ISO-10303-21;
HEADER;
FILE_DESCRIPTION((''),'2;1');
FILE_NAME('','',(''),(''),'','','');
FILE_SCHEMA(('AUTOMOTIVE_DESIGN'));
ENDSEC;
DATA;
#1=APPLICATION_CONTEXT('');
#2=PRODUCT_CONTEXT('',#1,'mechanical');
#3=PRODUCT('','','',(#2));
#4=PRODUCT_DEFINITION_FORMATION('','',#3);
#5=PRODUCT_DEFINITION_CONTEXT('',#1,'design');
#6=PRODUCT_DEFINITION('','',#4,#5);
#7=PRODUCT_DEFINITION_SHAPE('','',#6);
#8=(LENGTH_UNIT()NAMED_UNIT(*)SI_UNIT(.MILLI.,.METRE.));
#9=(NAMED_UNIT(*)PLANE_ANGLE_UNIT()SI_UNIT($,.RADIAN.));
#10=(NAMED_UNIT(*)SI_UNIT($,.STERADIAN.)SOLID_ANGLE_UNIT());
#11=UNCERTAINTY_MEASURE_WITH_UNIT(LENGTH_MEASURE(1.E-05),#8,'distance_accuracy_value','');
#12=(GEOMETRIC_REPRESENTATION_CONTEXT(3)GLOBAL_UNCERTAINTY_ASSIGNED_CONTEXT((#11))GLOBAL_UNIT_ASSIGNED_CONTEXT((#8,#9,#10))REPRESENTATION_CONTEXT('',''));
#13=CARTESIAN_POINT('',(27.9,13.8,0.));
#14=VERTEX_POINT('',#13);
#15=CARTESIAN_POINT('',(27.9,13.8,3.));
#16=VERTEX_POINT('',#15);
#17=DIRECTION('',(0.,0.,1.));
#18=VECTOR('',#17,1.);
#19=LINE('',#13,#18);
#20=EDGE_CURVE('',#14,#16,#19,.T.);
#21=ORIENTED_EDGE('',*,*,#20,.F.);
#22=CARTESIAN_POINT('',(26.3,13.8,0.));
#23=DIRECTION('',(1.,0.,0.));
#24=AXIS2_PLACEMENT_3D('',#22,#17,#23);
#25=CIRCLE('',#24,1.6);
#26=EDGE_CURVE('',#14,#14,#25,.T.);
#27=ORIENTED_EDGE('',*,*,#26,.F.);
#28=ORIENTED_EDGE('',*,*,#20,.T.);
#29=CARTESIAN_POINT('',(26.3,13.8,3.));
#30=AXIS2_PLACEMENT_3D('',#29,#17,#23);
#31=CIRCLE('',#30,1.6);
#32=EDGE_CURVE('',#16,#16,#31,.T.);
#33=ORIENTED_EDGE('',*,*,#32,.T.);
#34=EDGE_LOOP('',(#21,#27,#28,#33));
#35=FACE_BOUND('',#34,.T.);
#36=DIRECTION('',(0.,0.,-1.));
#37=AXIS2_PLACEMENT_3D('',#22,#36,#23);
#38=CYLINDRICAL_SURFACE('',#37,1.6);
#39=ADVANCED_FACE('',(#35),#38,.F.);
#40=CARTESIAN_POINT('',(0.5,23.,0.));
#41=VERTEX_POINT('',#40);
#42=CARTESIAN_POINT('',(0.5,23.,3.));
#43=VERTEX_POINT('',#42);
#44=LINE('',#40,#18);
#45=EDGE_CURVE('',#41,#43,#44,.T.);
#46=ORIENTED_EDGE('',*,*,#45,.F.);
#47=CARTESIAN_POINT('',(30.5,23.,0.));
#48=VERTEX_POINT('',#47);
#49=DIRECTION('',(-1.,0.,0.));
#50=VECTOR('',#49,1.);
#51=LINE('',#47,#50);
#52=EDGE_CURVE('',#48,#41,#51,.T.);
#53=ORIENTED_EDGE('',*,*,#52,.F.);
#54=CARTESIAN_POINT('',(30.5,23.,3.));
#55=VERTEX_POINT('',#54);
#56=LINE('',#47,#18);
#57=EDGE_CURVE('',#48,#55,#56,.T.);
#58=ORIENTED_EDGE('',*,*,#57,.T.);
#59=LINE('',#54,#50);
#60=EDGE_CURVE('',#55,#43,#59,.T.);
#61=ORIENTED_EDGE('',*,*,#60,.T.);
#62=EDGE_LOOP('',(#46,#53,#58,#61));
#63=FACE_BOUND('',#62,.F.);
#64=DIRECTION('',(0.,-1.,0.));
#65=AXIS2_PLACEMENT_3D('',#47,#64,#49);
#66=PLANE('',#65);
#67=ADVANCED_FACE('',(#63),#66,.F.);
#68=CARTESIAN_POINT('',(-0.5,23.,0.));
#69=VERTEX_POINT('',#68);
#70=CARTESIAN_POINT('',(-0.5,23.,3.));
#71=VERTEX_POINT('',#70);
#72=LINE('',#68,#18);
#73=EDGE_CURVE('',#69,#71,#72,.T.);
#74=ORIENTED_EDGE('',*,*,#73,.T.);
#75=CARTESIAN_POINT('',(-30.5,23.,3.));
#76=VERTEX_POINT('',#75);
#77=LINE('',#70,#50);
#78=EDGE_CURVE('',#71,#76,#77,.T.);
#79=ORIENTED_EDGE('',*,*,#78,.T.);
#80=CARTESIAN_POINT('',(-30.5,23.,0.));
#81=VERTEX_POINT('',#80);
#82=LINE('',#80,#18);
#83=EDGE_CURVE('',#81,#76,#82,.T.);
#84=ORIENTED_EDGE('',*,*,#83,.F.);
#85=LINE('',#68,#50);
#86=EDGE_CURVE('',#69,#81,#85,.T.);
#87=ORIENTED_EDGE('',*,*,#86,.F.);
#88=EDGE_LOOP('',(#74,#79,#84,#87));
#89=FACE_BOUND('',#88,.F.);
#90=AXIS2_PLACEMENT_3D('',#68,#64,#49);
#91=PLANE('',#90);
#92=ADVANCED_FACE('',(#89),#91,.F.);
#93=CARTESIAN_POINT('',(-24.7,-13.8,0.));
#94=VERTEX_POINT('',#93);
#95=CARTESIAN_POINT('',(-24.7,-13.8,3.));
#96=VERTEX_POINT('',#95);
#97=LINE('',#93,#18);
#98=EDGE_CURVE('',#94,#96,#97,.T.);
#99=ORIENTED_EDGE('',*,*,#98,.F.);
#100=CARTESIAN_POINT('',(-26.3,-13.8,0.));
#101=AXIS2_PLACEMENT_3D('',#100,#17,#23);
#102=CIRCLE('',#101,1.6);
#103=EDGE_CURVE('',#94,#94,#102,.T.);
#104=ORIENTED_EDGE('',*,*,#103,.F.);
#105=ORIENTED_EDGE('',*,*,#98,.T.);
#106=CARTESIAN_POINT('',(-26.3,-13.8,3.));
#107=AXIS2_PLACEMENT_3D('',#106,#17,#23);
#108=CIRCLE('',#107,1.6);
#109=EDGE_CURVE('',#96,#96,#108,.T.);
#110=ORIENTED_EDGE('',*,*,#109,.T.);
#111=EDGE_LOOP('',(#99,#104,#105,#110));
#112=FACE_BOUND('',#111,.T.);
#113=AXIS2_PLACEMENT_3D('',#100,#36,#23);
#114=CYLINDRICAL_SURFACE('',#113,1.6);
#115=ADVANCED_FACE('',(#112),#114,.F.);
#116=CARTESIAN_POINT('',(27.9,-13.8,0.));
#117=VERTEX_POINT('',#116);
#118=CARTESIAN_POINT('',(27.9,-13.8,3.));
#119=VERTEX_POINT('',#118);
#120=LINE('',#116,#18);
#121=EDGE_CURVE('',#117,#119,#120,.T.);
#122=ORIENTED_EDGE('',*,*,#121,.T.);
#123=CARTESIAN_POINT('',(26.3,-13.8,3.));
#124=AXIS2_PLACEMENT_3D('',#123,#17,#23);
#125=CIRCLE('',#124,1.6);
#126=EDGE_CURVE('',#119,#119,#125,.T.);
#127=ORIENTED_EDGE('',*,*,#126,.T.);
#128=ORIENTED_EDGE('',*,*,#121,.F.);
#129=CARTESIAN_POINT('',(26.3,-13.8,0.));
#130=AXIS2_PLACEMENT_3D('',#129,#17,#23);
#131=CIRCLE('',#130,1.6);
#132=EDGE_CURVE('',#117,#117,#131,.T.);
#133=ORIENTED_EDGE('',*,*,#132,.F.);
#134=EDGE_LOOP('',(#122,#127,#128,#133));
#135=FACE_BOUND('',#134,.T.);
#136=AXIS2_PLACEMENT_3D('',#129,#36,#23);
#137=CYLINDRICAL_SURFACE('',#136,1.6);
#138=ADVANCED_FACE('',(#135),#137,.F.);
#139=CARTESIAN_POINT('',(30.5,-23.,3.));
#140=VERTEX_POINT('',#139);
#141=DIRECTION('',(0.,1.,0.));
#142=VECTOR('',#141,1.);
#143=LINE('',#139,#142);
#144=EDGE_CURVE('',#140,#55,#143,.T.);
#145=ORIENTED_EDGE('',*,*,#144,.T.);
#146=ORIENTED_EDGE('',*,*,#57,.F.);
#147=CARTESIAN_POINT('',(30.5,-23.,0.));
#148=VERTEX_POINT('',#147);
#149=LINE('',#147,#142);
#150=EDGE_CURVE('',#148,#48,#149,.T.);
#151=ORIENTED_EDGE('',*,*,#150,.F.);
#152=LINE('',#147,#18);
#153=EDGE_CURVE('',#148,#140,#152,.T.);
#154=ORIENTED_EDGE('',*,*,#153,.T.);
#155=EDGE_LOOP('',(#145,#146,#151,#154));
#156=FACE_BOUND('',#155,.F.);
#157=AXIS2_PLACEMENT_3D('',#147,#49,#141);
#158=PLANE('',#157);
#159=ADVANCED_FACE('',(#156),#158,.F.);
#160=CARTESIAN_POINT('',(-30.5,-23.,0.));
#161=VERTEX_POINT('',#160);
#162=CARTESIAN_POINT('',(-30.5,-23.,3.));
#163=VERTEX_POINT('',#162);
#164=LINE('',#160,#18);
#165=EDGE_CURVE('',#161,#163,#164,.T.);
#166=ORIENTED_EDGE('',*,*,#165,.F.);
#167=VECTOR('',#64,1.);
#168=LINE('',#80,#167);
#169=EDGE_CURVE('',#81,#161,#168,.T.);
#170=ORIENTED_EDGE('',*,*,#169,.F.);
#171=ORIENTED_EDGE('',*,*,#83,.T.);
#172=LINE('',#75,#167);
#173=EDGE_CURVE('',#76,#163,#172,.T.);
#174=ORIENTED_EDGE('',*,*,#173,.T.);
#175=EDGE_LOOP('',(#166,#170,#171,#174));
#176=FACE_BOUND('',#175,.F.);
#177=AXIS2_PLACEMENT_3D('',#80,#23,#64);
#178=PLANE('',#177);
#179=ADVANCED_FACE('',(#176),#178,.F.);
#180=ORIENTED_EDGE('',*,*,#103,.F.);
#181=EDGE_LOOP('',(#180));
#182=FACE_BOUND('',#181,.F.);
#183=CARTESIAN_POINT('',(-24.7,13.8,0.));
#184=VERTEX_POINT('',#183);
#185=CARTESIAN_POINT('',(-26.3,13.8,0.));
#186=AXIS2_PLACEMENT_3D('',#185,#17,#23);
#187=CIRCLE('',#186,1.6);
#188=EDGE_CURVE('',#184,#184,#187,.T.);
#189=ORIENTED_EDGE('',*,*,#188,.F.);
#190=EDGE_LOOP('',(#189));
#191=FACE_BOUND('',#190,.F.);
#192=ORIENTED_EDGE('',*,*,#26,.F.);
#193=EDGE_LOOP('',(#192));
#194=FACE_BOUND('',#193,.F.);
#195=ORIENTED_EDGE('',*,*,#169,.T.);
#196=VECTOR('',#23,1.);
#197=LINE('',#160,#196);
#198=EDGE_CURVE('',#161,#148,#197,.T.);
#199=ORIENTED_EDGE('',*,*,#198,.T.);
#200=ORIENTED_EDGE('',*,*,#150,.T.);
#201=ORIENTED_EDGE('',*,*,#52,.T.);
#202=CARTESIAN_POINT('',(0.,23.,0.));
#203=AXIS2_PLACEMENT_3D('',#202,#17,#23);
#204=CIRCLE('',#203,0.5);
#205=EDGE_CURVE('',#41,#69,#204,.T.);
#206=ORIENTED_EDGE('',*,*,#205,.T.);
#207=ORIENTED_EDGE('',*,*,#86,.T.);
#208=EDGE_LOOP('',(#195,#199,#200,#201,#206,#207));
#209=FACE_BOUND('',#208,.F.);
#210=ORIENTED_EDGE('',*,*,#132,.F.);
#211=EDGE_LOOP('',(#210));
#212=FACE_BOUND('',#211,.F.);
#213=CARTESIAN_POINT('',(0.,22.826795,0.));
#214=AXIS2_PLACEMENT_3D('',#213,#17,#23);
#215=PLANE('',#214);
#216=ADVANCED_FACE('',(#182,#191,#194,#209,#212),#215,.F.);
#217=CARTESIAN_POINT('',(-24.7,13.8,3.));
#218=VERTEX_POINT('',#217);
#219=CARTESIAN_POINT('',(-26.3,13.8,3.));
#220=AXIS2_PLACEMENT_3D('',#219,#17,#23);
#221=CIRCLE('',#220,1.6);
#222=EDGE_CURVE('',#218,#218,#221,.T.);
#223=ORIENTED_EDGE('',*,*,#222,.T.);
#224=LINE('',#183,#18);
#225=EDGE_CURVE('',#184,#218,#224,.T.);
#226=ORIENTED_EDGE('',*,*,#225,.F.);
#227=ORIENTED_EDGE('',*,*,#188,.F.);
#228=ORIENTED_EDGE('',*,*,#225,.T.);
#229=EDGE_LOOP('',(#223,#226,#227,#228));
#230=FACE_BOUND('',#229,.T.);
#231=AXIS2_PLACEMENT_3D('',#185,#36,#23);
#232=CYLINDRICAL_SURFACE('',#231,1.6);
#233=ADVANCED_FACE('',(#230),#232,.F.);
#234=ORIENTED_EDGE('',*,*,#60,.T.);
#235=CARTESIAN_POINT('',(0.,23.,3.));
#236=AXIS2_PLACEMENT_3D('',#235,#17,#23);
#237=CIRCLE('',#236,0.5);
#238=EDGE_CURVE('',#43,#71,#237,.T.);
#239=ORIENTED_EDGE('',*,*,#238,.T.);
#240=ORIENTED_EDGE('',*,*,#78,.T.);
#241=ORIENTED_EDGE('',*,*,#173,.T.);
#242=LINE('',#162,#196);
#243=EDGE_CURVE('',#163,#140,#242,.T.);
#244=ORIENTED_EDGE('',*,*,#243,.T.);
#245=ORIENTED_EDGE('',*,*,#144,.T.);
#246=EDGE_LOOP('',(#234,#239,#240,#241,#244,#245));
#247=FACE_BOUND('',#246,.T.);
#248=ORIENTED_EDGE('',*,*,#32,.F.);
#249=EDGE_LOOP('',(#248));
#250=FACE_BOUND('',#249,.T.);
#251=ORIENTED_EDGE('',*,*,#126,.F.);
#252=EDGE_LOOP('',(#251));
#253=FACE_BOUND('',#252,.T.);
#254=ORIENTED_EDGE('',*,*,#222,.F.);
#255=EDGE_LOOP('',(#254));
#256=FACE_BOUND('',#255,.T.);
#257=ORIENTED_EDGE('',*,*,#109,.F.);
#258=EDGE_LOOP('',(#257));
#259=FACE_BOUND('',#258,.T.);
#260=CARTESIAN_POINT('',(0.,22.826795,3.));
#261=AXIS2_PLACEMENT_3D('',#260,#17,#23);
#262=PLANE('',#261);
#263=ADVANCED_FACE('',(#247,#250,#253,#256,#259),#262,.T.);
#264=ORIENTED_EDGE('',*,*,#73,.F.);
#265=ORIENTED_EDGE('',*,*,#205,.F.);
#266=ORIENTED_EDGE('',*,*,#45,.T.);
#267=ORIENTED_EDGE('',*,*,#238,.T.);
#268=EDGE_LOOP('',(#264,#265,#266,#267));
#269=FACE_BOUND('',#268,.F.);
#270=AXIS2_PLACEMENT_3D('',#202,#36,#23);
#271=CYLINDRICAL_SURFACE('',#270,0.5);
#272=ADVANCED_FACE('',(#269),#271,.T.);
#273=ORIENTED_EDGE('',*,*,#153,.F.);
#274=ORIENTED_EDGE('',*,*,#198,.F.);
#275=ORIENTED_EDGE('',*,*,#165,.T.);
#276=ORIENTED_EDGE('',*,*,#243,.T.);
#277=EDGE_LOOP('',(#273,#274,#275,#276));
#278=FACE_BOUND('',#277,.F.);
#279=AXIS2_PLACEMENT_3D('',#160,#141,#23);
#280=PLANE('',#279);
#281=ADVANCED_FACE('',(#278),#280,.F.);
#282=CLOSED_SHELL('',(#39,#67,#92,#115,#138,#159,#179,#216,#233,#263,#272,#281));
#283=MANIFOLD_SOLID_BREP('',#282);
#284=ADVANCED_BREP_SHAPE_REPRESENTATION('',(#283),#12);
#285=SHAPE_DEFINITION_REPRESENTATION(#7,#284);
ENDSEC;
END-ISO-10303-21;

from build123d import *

# Parameters (mm, degrees)
F0_R     = 1.6
F1_DEPTH = 3


with BuildPart() as f1:
    # F0 (on Top) → F1 (new body)
    with BuildSketch(Plane.XY):
        with BuildLine():
            ThreePointArc((-0.5, 23), (0, 22.5), (0.5, 23))
            Line((0.5, 23), (-0.5, 23))
        make_face()
        with BuildLine():
            Line((-0.5, 23), (0.5, 23))
            ThreePointArc((0.5, 23), (0, 23.5), (-0.5, 23))
        make_face()
        with BuildLine():
            Line((30.5, 23), (0.5, 23))
            ThreePointArc((0.5, 23), (0, 22.5), (-0.5, 23))
            Line((-0.5, 23), (-30.5, 23))
            Line((-30.5, 23), (-30.5, -23))
            Line((-30.5, -23), (30.5, -23))
            Line((30.5, -23), (30.5, 23))
        make_face()
        with Locations((-26.3, -13.8)):
            Circle(F0_R, mode=Mode.SUBTRACT)
        with Locations((26.3, -13.8)):
            Circle(F0_R, mode=Mode.SUBTRACT)
        with Locations((-26.3, 13.8)):
            Circle(F0_R, mode=Mode.SUBTRACT)
        with Locations((26.3, 13.8)):
            Circle(F0_R, mode=Mode.SUBTRACT)
    extrude(amount=F1_DEPTH)


solid = f1.part
